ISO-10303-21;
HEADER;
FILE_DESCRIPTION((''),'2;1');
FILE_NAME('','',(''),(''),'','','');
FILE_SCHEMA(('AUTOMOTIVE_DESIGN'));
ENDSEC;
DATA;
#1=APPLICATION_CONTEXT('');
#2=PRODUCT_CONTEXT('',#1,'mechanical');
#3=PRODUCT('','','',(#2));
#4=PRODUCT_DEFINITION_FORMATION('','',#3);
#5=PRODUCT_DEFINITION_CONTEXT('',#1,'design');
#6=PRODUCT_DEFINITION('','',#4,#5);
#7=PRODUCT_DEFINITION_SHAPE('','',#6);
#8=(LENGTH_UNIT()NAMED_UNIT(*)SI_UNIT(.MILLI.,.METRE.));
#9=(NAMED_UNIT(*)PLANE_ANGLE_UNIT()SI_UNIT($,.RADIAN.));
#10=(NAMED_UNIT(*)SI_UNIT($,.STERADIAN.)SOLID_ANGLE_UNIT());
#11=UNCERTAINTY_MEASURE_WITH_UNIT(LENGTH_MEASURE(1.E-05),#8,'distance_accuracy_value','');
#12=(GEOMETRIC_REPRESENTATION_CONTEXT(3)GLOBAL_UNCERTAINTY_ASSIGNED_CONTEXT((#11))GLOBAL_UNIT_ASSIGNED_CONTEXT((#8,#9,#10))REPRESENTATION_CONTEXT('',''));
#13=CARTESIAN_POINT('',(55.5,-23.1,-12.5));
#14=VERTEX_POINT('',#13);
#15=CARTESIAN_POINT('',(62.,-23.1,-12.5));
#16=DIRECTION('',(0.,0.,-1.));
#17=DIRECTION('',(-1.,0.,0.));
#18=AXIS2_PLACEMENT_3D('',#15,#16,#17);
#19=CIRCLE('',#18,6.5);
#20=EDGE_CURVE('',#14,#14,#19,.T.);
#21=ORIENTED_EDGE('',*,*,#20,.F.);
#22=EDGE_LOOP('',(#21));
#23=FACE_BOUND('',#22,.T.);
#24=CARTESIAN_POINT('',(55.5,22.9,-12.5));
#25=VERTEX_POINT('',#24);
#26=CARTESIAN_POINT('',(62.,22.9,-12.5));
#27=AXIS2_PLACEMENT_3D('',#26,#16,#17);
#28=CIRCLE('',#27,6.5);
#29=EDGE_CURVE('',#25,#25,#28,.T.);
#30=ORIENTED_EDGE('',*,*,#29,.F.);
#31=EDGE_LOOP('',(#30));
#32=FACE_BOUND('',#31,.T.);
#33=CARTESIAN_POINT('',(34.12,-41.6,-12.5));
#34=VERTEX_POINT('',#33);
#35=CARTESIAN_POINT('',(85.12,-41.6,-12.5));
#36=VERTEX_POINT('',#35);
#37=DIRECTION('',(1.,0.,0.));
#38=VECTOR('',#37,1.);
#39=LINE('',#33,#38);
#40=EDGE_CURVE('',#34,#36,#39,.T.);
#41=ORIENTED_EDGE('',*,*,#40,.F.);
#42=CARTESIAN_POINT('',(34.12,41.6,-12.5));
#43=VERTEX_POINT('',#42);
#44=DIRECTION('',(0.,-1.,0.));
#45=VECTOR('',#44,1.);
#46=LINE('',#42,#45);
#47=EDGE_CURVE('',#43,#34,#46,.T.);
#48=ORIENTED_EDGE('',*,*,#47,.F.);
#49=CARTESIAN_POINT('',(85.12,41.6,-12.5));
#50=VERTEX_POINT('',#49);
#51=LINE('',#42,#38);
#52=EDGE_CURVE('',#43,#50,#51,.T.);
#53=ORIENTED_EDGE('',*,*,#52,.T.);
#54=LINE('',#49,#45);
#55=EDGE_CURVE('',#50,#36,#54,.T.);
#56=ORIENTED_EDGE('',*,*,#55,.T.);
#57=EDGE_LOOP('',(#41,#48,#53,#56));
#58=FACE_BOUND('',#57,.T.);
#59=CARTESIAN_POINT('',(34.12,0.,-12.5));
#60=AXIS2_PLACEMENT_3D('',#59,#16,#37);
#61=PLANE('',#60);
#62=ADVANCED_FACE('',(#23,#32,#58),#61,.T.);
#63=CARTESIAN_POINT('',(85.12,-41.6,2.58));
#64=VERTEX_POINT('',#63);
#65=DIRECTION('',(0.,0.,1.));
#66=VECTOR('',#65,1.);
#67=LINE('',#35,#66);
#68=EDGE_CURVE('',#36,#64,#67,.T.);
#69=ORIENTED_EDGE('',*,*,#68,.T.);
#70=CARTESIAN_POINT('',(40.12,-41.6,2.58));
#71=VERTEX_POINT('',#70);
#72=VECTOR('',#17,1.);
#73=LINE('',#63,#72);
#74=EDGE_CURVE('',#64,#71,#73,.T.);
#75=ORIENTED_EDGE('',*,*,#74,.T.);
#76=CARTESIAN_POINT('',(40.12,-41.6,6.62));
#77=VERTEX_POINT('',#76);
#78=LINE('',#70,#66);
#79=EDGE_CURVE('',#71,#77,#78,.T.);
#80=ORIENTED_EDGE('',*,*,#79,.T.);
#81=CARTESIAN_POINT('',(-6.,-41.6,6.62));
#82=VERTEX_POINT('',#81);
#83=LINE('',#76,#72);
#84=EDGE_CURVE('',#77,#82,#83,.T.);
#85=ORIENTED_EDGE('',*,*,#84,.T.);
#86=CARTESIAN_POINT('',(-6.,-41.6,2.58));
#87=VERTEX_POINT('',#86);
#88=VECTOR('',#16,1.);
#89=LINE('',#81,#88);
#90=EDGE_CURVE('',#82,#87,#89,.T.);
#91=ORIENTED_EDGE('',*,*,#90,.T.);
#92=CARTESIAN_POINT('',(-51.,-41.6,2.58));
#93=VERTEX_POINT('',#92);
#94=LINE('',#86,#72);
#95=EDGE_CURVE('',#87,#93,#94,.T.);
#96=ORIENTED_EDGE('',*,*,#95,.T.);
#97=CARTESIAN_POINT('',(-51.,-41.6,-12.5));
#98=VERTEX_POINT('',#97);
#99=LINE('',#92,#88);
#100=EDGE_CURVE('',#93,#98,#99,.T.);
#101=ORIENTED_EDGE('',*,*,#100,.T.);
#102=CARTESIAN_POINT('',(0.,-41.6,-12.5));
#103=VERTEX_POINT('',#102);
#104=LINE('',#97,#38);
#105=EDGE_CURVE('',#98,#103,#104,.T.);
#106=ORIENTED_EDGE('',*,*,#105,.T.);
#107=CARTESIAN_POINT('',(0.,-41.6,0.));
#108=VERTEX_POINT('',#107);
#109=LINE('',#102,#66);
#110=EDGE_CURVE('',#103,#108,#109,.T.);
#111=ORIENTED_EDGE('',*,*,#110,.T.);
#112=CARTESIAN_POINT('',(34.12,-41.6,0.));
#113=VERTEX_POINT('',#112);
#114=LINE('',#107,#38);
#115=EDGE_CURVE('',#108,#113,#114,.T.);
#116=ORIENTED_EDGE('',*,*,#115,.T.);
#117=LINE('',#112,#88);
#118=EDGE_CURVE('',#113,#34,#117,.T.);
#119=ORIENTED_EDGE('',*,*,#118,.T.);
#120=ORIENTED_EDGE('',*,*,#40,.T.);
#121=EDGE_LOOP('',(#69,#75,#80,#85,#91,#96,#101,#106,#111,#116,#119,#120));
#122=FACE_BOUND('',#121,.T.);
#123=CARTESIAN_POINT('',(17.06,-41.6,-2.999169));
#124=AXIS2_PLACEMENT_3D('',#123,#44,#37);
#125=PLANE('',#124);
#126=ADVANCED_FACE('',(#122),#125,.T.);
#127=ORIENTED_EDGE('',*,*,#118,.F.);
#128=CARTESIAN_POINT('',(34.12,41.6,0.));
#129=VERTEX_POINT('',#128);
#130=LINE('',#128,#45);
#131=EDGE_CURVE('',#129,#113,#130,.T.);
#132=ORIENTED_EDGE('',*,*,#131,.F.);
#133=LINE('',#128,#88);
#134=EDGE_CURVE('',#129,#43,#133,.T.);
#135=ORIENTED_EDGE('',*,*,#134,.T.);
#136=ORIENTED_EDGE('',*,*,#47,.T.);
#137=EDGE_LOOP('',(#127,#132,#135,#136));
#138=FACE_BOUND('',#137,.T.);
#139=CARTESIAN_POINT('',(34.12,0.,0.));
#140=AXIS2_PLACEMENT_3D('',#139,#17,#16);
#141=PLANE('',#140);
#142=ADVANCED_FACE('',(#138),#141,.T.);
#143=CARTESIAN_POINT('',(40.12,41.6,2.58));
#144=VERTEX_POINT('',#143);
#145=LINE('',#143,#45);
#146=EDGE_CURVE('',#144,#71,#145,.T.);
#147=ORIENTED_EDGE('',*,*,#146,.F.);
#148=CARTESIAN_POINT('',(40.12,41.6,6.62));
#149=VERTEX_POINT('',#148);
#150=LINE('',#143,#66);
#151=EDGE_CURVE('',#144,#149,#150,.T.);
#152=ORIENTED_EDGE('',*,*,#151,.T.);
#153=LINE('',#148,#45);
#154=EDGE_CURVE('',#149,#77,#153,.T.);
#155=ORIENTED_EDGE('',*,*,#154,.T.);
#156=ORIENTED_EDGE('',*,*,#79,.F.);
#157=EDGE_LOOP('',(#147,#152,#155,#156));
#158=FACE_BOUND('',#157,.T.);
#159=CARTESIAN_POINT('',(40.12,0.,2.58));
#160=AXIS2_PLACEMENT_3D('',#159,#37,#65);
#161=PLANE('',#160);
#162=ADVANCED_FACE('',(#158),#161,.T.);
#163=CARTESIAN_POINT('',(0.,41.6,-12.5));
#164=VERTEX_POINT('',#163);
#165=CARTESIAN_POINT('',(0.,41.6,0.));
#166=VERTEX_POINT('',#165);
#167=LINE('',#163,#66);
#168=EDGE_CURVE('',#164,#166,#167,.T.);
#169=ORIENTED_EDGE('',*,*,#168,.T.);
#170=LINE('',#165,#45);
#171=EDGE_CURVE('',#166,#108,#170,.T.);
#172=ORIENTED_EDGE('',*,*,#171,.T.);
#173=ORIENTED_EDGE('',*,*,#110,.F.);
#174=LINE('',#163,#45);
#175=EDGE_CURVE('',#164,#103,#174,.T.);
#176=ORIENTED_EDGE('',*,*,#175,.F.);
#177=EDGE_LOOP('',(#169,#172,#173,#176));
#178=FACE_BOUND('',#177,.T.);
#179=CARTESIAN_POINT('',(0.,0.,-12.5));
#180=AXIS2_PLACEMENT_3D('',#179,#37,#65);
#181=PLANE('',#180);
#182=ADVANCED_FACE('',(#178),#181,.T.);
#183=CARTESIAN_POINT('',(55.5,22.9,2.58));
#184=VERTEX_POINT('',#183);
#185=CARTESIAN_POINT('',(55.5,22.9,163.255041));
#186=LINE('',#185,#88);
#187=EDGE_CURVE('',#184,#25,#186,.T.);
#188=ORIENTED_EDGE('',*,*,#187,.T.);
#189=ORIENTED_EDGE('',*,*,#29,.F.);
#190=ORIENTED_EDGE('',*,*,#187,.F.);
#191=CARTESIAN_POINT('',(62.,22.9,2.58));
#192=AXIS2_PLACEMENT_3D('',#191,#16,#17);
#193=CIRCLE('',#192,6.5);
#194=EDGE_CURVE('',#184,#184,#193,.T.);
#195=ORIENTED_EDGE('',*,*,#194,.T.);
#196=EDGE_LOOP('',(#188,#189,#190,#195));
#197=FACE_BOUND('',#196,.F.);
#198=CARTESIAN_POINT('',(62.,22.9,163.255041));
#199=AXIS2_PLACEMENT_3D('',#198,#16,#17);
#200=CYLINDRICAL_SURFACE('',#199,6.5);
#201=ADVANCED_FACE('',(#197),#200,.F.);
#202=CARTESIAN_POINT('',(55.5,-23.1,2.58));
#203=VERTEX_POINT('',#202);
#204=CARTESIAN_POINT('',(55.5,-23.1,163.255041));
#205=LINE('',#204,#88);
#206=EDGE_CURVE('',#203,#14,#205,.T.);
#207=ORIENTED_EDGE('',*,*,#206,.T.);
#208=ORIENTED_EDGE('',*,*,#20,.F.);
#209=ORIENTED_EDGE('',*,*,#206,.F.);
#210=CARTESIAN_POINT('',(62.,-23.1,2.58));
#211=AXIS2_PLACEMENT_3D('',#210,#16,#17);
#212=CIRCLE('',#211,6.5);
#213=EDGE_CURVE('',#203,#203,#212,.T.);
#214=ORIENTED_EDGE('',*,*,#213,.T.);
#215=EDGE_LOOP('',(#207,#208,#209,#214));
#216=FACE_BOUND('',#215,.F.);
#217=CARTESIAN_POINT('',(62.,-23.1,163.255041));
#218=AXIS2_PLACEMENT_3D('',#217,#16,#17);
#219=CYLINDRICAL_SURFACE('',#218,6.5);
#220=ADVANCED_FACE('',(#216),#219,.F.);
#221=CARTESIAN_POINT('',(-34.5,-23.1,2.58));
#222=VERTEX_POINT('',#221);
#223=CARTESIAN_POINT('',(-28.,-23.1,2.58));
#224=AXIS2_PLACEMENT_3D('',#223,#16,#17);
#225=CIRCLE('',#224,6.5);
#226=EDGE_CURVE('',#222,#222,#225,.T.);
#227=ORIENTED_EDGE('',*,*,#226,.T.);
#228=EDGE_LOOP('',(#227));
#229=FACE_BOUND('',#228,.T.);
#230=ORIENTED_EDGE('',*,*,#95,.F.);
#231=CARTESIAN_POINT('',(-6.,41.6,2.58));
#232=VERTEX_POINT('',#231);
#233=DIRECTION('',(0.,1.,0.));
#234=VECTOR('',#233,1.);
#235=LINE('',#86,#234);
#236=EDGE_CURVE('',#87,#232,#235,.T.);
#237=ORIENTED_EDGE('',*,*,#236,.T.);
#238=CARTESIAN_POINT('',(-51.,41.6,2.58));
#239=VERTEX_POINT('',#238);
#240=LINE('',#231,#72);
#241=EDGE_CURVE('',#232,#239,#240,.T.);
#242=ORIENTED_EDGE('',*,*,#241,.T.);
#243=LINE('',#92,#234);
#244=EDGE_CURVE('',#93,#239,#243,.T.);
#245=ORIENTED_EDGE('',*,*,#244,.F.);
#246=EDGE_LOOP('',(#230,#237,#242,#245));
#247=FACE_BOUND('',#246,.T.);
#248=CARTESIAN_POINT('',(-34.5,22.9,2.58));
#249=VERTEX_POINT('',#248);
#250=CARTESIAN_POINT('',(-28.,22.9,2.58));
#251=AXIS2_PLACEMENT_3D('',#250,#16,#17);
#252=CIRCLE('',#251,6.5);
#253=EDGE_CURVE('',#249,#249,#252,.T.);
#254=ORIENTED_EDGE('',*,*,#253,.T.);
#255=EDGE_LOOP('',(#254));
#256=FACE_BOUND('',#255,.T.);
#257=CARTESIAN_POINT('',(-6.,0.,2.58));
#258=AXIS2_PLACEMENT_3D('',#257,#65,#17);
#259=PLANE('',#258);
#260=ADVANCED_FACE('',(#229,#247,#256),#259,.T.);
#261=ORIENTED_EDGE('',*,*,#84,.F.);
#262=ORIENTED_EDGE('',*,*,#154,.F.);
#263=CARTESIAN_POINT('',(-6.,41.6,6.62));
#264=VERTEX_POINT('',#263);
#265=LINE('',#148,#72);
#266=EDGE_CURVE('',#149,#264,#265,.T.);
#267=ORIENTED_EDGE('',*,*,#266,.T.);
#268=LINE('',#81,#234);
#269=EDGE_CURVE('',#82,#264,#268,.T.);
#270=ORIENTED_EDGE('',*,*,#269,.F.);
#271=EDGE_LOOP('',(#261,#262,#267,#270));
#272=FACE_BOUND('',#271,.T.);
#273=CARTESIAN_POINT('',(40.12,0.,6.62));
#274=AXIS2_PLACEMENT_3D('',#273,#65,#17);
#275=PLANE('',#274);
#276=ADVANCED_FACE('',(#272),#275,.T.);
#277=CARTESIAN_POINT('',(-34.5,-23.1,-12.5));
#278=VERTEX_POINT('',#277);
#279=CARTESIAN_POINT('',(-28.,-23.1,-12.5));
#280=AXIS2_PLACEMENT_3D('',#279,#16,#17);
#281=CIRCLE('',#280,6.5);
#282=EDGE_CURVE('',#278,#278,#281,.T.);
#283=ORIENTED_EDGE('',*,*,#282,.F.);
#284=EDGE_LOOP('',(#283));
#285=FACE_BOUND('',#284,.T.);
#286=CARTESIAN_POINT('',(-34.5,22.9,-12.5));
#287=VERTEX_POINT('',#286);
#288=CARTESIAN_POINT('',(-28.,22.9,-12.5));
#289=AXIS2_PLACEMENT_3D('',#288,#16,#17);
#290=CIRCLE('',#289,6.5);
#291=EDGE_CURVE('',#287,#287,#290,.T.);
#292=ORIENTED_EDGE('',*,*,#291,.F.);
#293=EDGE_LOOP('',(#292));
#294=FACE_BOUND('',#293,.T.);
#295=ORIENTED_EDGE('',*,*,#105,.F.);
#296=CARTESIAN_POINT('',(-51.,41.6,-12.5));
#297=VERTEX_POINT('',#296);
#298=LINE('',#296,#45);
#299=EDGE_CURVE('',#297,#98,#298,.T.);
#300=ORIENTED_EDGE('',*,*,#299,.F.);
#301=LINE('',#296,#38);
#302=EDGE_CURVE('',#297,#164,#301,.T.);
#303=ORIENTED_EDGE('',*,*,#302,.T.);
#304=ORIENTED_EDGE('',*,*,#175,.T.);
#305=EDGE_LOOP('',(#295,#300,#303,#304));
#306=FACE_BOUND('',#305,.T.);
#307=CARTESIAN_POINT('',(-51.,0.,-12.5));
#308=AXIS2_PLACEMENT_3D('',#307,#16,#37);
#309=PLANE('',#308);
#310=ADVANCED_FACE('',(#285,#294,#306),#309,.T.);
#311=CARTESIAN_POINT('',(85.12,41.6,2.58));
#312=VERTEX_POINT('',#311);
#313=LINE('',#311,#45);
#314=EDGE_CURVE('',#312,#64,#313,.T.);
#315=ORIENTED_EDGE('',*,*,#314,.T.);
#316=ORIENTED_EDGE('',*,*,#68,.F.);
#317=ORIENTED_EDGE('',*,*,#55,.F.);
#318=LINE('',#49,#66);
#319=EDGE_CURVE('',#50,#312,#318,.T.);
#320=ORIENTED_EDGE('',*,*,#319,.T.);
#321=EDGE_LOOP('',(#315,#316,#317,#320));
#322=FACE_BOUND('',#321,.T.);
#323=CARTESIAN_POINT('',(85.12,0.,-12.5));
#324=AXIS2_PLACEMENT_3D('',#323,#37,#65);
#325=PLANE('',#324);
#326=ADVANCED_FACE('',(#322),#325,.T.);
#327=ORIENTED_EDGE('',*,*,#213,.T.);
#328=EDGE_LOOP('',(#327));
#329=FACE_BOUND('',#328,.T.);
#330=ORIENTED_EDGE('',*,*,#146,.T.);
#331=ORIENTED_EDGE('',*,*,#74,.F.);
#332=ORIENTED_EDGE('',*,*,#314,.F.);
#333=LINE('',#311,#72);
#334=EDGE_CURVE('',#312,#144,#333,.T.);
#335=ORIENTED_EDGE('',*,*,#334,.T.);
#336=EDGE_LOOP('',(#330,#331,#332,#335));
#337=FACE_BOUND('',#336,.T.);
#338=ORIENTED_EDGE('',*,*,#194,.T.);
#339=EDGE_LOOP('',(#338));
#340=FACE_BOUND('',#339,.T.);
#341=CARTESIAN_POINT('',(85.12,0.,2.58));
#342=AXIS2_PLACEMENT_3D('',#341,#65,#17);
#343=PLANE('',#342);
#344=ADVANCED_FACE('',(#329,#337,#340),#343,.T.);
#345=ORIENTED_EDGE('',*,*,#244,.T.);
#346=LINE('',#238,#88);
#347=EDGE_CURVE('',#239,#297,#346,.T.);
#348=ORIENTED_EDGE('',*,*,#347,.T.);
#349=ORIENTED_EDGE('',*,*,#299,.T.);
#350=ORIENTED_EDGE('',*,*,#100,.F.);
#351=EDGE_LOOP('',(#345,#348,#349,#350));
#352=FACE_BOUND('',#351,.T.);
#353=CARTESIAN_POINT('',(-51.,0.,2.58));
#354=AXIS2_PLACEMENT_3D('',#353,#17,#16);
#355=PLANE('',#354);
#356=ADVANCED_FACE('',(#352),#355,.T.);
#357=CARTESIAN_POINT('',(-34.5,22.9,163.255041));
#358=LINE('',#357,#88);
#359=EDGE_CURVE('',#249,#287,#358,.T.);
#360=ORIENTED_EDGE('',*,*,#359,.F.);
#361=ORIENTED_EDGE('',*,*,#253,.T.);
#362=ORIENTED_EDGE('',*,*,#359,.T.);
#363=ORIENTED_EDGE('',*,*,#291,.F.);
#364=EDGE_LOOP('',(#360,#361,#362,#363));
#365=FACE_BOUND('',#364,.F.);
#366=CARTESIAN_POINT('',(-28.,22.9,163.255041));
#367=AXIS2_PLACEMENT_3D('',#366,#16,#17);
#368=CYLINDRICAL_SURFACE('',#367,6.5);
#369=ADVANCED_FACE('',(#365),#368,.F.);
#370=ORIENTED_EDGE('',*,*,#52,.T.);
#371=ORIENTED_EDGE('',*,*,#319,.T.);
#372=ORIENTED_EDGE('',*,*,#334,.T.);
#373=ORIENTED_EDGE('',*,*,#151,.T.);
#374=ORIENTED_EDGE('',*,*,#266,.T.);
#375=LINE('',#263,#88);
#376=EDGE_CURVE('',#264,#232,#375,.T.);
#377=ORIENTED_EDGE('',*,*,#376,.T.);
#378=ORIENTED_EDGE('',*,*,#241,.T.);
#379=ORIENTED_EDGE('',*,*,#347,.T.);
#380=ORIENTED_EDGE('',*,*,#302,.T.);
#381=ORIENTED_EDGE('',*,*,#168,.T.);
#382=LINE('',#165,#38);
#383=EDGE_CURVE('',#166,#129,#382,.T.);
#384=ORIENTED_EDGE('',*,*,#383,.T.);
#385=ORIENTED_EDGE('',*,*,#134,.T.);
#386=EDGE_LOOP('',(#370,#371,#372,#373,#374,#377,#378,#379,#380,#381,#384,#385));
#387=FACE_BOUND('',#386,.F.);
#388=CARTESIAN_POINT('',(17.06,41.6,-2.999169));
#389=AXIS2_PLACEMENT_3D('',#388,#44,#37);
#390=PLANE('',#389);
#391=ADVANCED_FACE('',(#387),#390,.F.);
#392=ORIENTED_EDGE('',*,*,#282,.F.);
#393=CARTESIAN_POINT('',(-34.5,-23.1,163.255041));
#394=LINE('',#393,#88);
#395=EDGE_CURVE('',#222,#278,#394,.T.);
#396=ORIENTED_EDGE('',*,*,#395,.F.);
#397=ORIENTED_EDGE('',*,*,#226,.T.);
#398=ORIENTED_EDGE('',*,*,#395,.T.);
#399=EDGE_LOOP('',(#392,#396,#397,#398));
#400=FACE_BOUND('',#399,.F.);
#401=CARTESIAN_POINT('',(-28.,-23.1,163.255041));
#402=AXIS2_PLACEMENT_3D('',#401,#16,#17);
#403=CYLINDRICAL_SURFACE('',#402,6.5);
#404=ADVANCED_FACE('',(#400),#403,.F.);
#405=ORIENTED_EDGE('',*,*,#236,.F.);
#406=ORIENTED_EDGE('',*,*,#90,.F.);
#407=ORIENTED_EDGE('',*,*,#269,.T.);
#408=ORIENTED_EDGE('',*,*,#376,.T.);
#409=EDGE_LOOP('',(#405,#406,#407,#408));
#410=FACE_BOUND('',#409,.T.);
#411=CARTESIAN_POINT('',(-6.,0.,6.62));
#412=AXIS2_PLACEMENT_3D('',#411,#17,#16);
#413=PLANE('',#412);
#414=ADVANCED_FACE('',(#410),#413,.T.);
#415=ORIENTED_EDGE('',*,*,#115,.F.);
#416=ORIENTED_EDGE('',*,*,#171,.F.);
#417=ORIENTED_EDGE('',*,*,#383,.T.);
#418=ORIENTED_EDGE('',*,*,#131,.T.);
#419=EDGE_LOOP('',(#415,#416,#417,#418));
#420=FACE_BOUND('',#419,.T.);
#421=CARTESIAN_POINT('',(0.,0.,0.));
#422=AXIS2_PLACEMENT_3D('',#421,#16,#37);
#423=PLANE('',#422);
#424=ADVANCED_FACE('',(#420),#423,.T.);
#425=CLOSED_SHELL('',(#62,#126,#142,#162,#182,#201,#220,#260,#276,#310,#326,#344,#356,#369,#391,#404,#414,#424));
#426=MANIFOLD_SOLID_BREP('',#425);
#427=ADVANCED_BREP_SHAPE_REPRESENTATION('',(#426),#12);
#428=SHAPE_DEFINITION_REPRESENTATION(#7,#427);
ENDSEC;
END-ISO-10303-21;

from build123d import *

# Parameters (mm, degrees)
F1_DEPTH = 41.6
F3_D     = 13


with BuildPart() as f1:
    # F0 (on Front) → F1 (new body, symmetric)
    with BuildSketch(Plane.XZ):
        Polygon((-51, 2.58), (-51, -12.5), (0, -12.5), (0, 0), (34.12, 0), (34.12, -12.5), (85.12, -12.5), (85.12, 2.58), (40.12, 2.58), (40.12, 6.62), (-6, 6.62), (-6, 2.58), align=None)
    extrude(amount=F1_DEPTH, both=True)

    # F3 (through all)
    with Locations(Plane.XY.offset(2.58)):
        with Locations((-28, -23.1), (-28, 22.9), (62, 22.9), (62, -23.1)):
            Hole(F3_D / 2)


solid = f1.part
